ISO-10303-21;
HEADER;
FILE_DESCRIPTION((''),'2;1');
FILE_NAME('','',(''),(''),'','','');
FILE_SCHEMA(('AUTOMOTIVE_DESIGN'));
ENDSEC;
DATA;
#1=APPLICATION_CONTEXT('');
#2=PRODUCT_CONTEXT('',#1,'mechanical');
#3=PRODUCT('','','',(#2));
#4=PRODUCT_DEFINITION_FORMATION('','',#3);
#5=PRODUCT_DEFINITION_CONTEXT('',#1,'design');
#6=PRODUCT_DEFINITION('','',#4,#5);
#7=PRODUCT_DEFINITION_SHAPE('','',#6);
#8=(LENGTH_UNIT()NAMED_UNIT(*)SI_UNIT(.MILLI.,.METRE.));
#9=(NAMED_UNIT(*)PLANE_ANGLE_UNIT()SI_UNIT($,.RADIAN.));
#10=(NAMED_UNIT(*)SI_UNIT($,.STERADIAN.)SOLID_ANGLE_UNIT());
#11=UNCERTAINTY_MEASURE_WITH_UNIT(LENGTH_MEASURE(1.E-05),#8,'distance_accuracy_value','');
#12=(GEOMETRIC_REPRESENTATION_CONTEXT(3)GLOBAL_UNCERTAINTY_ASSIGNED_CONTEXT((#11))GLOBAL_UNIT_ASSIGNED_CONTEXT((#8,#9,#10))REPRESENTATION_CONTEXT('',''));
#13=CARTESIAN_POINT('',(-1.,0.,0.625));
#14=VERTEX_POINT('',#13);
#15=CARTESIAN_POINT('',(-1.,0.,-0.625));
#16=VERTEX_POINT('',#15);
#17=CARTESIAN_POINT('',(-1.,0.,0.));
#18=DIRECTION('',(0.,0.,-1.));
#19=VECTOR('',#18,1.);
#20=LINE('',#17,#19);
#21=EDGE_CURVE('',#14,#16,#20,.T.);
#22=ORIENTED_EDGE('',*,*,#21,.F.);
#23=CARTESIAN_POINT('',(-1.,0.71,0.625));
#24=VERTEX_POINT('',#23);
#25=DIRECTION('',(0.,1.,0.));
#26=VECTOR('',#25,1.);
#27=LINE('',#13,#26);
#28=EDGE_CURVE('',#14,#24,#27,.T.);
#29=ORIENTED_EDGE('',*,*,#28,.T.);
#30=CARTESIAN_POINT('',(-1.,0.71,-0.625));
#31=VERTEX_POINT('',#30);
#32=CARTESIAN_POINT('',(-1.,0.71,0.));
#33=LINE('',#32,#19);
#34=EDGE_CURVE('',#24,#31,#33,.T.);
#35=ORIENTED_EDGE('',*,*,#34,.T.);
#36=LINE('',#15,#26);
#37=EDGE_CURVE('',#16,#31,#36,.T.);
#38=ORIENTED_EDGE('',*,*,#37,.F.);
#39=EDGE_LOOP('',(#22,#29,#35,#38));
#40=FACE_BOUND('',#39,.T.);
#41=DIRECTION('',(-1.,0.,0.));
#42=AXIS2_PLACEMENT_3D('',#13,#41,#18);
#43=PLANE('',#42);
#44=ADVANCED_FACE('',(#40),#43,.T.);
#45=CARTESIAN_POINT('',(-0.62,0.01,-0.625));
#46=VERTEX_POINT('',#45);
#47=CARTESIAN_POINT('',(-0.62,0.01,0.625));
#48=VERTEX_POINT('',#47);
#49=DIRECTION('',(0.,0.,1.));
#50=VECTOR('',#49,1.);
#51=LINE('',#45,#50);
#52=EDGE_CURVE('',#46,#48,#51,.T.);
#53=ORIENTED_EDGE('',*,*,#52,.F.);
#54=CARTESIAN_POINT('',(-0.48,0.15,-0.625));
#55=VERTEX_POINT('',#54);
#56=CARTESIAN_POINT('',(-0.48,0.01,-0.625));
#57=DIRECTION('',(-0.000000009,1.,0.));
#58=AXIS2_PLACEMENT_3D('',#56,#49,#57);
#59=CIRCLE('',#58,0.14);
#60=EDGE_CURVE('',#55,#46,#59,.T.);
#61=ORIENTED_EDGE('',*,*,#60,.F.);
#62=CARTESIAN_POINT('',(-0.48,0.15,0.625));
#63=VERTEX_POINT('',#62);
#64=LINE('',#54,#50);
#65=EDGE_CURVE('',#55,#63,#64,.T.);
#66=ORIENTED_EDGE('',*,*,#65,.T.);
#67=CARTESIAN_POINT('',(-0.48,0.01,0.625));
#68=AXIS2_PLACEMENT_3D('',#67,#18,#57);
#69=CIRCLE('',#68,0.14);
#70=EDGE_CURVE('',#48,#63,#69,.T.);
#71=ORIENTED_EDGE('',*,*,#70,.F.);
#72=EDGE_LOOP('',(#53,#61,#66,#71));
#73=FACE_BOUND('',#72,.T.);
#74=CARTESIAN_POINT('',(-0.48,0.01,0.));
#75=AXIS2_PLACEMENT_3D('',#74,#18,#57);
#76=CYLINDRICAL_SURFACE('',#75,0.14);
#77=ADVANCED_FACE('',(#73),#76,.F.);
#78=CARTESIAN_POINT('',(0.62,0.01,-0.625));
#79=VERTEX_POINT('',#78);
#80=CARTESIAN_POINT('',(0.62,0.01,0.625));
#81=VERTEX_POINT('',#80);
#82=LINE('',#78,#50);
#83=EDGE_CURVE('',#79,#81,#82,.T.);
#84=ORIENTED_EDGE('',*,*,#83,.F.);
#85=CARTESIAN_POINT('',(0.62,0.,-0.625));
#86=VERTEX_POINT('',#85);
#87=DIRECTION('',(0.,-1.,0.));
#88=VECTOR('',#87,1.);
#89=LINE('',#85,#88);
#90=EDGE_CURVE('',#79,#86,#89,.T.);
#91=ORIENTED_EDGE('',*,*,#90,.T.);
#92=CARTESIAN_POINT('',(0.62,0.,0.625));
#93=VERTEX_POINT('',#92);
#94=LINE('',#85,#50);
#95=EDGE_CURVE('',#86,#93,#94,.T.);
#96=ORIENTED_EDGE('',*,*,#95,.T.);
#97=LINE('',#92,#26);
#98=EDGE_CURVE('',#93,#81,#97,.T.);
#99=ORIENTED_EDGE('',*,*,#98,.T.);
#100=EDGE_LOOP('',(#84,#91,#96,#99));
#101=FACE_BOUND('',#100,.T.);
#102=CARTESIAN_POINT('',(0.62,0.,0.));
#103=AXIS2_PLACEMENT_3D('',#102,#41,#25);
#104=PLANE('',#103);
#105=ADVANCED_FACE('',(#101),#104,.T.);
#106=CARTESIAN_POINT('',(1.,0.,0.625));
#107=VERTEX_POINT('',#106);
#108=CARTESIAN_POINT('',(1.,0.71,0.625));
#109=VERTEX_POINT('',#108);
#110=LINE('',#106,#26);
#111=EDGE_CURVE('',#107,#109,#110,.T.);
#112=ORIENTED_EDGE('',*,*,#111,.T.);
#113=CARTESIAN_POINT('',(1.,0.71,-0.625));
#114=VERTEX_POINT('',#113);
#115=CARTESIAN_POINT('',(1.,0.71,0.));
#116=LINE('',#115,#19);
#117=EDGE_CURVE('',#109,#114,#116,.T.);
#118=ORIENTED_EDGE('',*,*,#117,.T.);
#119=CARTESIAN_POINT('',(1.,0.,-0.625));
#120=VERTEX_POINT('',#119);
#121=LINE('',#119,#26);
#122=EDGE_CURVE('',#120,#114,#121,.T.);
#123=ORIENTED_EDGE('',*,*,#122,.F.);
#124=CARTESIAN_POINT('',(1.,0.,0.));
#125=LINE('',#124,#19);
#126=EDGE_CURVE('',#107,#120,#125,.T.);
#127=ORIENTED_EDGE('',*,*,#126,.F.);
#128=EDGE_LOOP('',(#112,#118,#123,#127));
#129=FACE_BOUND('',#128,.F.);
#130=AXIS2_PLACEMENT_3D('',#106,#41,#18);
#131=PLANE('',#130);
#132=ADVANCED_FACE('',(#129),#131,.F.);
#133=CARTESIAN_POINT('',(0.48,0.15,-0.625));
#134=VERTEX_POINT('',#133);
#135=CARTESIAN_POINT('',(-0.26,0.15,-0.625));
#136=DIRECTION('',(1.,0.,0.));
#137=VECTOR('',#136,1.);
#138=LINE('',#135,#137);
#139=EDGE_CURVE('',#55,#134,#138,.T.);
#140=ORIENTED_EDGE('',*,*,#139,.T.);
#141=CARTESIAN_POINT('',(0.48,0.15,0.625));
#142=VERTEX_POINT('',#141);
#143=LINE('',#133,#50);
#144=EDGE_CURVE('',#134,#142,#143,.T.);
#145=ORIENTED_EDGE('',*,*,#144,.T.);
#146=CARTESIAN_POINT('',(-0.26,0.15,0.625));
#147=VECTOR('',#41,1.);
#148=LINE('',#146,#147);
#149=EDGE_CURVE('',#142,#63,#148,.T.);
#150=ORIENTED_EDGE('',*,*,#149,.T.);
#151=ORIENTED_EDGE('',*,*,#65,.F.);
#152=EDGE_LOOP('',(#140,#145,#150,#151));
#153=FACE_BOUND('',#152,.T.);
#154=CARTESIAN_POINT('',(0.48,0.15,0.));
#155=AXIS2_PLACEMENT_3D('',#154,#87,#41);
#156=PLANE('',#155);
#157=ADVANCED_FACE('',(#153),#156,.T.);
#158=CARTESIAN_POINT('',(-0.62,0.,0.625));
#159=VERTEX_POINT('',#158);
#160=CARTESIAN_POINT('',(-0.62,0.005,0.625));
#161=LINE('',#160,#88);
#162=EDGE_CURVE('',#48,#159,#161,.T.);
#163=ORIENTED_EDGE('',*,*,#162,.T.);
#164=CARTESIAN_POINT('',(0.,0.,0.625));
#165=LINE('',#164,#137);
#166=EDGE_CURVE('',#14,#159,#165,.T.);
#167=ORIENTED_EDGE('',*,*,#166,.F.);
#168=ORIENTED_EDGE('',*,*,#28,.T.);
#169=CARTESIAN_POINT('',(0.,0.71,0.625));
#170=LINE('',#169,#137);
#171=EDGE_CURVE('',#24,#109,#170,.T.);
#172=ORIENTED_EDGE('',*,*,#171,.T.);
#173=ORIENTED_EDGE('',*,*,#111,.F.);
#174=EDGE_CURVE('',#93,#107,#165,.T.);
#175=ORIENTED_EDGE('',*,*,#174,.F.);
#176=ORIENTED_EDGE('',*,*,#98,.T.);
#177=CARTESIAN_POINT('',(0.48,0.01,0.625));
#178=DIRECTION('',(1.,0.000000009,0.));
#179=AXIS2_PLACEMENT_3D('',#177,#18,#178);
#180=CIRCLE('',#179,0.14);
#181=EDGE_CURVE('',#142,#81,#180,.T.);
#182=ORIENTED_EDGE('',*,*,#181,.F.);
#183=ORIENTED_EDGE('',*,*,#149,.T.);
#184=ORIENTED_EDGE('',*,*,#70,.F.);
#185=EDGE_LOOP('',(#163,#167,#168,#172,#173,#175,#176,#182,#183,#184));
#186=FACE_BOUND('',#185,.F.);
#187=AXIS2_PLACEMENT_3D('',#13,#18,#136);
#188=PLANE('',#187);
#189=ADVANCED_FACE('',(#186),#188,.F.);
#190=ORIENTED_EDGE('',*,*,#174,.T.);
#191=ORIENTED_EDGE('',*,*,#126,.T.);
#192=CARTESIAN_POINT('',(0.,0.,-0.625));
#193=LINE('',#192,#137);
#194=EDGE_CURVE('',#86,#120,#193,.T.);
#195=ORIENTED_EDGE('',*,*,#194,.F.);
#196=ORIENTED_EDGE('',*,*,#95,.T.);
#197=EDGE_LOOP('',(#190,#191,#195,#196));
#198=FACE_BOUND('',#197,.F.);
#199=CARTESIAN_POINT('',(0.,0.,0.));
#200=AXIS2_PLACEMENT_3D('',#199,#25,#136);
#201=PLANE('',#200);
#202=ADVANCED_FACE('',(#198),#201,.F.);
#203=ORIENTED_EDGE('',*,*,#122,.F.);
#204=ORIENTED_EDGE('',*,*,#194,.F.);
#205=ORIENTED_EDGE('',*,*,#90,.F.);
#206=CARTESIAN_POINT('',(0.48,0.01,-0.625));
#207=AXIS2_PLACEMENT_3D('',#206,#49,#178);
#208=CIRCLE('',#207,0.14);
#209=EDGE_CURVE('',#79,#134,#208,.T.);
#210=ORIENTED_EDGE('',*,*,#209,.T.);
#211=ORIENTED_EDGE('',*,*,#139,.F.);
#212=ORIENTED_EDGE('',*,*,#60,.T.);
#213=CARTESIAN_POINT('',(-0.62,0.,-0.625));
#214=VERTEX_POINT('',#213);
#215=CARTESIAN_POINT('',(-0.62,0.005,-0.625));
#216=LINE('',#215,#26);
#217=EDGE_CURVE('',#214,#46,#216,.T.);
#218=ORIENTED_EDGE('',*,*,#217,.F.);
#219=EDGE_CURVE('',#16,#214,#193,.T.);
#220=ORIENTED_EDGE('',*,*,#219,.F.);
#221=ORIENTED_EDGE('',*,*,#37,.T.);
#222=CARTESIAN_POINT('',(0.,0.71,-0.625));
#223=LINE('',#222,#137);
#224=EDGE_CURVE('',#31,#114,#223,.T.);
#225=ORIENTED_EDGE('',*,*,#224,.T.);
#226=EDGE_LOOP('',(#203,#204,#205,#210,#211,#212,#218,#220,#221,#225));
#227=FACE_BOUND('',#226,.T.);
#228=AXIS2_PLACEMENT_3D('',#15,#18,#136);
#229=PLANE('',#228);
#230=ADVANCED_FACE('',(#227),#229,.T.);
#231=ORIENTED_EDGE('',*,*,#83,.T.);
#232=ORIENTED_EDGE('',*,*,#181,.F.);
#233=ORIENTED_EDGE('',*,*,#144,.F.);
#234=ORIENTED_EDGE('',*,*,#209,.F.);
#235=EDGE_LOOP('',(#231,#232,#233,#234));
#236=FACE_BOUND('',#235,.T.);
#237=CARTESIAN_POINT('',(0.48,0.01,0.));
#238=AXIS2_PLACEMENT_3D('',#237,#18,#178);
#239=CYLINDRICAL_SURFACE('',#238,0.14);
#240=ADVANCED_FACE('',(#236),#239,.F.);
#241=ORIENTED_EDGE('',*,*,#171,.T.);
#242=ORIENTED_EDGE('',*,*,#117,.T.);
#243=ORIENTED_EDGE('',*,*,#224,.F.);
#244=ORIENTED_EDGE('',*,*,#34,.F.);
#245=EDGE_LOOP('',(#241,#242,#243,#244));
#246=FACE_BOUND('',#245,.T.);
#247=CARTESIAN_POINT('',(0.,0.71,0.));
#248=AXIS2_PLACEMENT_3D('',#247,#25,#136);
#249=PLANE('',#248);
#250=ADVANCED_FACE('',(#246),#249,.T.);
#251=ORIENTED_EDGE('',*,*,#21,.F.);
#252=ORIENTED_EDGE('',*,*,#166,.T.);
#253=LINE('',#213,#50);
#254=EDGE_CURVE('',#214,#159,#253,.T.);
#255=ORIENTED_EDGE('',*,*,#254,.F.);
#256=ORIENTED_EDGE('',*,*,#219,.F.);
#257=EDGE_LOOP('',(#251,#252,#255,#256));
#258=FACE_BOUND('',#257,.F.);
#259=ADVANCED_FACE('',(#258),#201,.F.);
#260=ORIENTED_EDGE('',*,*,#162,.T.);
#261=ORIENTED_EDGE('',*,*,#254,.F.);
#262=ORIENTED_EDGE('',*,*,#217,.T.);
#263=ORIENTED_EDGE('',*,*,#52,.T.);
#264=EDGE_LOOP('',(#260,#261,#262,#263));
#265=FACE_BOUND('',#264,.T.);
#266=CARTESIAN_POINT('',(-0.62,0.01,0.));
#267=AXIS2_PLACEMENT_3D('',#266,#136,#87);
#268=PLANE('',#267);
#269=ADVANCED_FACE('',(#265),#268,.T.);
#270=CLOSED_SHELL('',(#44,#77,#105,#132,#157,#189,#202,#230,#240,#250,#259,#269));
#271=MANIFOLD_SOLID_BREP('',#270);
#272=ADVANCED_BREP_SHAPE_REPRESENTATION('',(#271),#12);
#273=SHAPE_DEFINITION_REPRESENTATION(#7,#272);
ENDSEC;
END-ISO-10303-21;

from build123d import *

# Parameters (mm, degrees)
SKETCH1_W               = 2
SKETCH1_H               = 1.25
BOSS_EXTRUDE1_DEPTH     = 0.71
CUT_EXTRUDE1_DEPTH      = 1.625
CUT_EXTRUDE1_DEPTH_BACK = 1.625


with BuildPart() as part:
    # Sketch1 → Boss-Extrude1 (new body)
    with BuildSketch(Plane(origin=(0, 0, 0), x_dir=(1, 0, 0), z_dir=(0, 1, 0))):
        Rectangle(SKETCH1_W, SKETCH1_H)
    extrude(amount=BOSS_EXTRUDE1_DEPTH)

    # Sketch2 → Cut-Extrude1 (cut, two sides)
    with BuildSketch(Plane.XY) as cut_extrude1_sk:
        with BuildLine():
            Line((-0.62, 0), (0.62, 0))
            Line((0.62, 0), (0.62, 0.01))
            ThreePointArc((0.62, 0.01), (0.578994949, 0.108994949), (0.48, 0.15))
            Line((0.48, 0.15), (-0.48, 0.15))
            ThreePointArc((-0.48, 0.15), (-0.578994949, 0.108994949), (-0.62, 0.01))
            Line((-0.62, 0.01), (-0.62, 0))
        make_face()
    extrude(amount=CUT_EXTRUDE1_DEPTH, mode=Mode.SUBTRACT)
    extrude(cut_extrude1_sk.sketch, amount=-CUT_EXTRUDE1_DEPTH_BACK, mode=Mode.SUBTRACT)


solid = part.part
